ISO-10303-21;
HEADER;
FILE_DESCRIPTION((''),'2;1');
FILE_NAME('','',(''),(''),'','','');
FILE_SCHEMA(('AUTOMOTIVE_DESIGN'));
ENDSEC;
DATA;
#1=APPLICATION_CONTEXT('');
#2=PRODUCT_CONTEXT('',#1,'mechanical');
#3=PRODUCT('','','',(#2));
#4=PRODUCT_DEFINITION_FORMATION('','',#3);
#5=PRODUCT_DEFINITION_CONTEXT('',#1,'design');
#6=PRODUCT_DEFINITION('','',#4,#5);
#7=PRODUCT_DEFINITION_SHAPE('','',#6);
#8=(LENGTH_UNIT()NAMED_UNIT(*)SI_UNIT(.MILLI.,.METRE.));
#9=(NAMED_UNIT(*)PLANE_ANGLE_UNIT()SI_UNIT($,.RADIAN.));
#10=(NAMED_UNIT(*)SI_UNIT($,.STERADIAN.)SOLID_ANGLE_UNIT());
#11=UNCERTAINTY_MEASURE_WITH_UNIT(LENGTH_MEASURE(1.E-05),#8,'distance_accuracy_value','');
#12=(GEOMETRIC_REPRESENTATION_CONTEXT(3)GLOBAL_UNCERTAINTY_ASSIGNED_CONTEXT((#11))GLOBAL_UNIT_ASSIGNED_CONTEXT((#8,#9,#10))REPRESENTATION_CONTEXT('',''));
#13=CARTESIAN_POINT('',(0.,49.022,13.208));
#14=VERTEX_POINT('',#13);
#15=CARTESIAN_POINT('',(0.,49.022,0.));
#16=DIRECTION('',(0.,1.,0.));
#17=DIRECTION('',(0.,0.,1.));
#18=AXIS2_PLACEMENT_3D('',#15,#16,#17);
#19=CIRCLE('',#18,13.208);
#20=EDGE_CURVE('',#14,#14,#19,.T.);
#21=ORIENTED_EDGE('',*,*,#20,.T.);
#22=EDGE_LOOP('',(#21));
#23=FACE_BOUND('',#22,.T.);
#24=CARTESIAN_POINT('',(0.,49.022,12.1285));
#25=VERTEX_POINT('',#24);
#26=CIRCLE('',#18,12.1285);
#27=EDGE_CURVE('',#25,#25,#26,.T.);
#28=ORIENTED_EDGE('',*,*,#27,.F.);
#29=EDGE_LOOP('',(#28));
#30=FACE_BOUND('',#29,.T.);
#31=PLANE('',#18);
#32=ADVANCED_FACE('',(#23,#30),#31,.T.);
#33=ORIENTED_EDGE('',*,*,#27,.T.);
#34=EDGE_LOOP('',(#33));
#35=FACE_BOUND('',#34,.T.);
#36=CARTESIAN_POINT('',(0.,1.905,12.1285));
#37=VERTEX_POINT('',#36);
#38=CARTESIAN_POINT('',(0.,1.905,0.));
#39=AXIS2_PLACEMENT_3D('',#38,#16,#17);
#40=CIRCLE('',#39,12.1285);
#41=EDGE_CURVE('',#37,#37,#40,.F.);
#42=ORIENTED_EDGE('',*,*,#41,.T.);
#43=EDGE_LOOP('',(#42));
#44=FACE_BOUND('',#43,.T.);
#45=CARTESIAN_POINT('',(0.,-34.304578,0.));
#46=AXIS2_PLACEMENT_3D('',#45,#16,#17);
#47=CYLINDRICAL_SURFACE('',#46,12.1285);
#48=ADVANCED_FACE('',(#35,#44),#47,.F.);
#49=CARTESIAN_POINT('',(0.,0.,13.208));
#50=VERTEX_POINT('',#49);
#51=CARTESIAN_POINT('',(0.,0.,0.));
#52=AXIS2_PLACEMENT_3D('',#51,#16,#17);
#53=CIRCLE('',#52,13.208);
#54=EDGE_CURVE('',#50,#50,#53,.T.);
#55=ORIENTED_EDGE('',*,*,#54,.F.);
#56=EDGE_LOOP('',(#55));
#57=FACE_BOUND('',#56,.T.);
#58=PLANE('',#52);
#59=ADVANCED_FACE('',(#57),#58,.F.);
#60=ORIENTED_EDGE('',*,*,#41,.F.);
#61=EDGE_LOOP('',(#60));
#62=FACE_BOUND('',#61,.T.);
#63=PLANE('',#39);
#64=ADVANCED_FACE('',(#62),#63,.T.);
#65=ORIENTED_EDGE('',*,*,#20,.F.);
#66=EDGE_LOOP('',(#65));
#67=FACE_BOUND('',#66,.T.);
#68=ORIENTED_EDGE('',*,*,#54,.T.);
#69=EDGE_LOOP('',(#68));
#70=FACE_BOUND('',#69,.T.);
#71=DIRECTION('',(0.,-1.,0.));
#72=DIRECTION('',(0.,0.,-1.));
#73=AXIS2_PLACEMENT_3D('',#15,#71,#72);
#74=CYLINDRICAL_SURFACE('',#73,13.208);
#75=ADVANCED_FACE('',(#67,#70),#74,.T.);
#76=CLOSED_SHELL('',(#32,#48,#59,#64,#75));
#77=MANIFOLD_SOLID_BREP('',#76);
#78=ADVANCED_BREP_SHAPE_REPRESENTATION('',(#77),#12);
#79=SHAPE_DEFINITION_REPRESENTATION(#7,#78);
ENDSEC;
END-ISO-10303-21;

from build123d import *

# Parameters (mm, degrees)
SKETCH1_R           = 13.208
BOSS_EXTRUDE1_DEPTH = 49.022
SKETCH2_R           = 12.1285
CUT_EXTRUDE1_DEPTH  = 47.117


with BuildPart() as part:
    # Sketch1 → Boss-Extrude1 (new body)
    with BuildSketch(Plane(origin=(0, 0, 0), x_dir=(1, 0, 0), z_dir=(0, 1, 0))):
        with Locations(Location((0, 0, 0), (0, 0, 270))):
            Circle(SKETCH1_R)
    extrude(amount=BOSS_EXTRUDE1_DEPTH)

    # Sketch2 → Cut-Extrude1 (cut)
    with BuildSketch(Plane(origin=(0, 49.022, 0), x_dir=(1, 0, 0), z_dir=(0, 1, 0))):
        with Locations(Location((0, 0, 0), (0, 0, 270))):
            Circle(SKETCH2_R)
    extrude(amount=-CUT_EXTRUDE1_DEPTH, mode=Mode.SUBTRACT)


solid = part.part
